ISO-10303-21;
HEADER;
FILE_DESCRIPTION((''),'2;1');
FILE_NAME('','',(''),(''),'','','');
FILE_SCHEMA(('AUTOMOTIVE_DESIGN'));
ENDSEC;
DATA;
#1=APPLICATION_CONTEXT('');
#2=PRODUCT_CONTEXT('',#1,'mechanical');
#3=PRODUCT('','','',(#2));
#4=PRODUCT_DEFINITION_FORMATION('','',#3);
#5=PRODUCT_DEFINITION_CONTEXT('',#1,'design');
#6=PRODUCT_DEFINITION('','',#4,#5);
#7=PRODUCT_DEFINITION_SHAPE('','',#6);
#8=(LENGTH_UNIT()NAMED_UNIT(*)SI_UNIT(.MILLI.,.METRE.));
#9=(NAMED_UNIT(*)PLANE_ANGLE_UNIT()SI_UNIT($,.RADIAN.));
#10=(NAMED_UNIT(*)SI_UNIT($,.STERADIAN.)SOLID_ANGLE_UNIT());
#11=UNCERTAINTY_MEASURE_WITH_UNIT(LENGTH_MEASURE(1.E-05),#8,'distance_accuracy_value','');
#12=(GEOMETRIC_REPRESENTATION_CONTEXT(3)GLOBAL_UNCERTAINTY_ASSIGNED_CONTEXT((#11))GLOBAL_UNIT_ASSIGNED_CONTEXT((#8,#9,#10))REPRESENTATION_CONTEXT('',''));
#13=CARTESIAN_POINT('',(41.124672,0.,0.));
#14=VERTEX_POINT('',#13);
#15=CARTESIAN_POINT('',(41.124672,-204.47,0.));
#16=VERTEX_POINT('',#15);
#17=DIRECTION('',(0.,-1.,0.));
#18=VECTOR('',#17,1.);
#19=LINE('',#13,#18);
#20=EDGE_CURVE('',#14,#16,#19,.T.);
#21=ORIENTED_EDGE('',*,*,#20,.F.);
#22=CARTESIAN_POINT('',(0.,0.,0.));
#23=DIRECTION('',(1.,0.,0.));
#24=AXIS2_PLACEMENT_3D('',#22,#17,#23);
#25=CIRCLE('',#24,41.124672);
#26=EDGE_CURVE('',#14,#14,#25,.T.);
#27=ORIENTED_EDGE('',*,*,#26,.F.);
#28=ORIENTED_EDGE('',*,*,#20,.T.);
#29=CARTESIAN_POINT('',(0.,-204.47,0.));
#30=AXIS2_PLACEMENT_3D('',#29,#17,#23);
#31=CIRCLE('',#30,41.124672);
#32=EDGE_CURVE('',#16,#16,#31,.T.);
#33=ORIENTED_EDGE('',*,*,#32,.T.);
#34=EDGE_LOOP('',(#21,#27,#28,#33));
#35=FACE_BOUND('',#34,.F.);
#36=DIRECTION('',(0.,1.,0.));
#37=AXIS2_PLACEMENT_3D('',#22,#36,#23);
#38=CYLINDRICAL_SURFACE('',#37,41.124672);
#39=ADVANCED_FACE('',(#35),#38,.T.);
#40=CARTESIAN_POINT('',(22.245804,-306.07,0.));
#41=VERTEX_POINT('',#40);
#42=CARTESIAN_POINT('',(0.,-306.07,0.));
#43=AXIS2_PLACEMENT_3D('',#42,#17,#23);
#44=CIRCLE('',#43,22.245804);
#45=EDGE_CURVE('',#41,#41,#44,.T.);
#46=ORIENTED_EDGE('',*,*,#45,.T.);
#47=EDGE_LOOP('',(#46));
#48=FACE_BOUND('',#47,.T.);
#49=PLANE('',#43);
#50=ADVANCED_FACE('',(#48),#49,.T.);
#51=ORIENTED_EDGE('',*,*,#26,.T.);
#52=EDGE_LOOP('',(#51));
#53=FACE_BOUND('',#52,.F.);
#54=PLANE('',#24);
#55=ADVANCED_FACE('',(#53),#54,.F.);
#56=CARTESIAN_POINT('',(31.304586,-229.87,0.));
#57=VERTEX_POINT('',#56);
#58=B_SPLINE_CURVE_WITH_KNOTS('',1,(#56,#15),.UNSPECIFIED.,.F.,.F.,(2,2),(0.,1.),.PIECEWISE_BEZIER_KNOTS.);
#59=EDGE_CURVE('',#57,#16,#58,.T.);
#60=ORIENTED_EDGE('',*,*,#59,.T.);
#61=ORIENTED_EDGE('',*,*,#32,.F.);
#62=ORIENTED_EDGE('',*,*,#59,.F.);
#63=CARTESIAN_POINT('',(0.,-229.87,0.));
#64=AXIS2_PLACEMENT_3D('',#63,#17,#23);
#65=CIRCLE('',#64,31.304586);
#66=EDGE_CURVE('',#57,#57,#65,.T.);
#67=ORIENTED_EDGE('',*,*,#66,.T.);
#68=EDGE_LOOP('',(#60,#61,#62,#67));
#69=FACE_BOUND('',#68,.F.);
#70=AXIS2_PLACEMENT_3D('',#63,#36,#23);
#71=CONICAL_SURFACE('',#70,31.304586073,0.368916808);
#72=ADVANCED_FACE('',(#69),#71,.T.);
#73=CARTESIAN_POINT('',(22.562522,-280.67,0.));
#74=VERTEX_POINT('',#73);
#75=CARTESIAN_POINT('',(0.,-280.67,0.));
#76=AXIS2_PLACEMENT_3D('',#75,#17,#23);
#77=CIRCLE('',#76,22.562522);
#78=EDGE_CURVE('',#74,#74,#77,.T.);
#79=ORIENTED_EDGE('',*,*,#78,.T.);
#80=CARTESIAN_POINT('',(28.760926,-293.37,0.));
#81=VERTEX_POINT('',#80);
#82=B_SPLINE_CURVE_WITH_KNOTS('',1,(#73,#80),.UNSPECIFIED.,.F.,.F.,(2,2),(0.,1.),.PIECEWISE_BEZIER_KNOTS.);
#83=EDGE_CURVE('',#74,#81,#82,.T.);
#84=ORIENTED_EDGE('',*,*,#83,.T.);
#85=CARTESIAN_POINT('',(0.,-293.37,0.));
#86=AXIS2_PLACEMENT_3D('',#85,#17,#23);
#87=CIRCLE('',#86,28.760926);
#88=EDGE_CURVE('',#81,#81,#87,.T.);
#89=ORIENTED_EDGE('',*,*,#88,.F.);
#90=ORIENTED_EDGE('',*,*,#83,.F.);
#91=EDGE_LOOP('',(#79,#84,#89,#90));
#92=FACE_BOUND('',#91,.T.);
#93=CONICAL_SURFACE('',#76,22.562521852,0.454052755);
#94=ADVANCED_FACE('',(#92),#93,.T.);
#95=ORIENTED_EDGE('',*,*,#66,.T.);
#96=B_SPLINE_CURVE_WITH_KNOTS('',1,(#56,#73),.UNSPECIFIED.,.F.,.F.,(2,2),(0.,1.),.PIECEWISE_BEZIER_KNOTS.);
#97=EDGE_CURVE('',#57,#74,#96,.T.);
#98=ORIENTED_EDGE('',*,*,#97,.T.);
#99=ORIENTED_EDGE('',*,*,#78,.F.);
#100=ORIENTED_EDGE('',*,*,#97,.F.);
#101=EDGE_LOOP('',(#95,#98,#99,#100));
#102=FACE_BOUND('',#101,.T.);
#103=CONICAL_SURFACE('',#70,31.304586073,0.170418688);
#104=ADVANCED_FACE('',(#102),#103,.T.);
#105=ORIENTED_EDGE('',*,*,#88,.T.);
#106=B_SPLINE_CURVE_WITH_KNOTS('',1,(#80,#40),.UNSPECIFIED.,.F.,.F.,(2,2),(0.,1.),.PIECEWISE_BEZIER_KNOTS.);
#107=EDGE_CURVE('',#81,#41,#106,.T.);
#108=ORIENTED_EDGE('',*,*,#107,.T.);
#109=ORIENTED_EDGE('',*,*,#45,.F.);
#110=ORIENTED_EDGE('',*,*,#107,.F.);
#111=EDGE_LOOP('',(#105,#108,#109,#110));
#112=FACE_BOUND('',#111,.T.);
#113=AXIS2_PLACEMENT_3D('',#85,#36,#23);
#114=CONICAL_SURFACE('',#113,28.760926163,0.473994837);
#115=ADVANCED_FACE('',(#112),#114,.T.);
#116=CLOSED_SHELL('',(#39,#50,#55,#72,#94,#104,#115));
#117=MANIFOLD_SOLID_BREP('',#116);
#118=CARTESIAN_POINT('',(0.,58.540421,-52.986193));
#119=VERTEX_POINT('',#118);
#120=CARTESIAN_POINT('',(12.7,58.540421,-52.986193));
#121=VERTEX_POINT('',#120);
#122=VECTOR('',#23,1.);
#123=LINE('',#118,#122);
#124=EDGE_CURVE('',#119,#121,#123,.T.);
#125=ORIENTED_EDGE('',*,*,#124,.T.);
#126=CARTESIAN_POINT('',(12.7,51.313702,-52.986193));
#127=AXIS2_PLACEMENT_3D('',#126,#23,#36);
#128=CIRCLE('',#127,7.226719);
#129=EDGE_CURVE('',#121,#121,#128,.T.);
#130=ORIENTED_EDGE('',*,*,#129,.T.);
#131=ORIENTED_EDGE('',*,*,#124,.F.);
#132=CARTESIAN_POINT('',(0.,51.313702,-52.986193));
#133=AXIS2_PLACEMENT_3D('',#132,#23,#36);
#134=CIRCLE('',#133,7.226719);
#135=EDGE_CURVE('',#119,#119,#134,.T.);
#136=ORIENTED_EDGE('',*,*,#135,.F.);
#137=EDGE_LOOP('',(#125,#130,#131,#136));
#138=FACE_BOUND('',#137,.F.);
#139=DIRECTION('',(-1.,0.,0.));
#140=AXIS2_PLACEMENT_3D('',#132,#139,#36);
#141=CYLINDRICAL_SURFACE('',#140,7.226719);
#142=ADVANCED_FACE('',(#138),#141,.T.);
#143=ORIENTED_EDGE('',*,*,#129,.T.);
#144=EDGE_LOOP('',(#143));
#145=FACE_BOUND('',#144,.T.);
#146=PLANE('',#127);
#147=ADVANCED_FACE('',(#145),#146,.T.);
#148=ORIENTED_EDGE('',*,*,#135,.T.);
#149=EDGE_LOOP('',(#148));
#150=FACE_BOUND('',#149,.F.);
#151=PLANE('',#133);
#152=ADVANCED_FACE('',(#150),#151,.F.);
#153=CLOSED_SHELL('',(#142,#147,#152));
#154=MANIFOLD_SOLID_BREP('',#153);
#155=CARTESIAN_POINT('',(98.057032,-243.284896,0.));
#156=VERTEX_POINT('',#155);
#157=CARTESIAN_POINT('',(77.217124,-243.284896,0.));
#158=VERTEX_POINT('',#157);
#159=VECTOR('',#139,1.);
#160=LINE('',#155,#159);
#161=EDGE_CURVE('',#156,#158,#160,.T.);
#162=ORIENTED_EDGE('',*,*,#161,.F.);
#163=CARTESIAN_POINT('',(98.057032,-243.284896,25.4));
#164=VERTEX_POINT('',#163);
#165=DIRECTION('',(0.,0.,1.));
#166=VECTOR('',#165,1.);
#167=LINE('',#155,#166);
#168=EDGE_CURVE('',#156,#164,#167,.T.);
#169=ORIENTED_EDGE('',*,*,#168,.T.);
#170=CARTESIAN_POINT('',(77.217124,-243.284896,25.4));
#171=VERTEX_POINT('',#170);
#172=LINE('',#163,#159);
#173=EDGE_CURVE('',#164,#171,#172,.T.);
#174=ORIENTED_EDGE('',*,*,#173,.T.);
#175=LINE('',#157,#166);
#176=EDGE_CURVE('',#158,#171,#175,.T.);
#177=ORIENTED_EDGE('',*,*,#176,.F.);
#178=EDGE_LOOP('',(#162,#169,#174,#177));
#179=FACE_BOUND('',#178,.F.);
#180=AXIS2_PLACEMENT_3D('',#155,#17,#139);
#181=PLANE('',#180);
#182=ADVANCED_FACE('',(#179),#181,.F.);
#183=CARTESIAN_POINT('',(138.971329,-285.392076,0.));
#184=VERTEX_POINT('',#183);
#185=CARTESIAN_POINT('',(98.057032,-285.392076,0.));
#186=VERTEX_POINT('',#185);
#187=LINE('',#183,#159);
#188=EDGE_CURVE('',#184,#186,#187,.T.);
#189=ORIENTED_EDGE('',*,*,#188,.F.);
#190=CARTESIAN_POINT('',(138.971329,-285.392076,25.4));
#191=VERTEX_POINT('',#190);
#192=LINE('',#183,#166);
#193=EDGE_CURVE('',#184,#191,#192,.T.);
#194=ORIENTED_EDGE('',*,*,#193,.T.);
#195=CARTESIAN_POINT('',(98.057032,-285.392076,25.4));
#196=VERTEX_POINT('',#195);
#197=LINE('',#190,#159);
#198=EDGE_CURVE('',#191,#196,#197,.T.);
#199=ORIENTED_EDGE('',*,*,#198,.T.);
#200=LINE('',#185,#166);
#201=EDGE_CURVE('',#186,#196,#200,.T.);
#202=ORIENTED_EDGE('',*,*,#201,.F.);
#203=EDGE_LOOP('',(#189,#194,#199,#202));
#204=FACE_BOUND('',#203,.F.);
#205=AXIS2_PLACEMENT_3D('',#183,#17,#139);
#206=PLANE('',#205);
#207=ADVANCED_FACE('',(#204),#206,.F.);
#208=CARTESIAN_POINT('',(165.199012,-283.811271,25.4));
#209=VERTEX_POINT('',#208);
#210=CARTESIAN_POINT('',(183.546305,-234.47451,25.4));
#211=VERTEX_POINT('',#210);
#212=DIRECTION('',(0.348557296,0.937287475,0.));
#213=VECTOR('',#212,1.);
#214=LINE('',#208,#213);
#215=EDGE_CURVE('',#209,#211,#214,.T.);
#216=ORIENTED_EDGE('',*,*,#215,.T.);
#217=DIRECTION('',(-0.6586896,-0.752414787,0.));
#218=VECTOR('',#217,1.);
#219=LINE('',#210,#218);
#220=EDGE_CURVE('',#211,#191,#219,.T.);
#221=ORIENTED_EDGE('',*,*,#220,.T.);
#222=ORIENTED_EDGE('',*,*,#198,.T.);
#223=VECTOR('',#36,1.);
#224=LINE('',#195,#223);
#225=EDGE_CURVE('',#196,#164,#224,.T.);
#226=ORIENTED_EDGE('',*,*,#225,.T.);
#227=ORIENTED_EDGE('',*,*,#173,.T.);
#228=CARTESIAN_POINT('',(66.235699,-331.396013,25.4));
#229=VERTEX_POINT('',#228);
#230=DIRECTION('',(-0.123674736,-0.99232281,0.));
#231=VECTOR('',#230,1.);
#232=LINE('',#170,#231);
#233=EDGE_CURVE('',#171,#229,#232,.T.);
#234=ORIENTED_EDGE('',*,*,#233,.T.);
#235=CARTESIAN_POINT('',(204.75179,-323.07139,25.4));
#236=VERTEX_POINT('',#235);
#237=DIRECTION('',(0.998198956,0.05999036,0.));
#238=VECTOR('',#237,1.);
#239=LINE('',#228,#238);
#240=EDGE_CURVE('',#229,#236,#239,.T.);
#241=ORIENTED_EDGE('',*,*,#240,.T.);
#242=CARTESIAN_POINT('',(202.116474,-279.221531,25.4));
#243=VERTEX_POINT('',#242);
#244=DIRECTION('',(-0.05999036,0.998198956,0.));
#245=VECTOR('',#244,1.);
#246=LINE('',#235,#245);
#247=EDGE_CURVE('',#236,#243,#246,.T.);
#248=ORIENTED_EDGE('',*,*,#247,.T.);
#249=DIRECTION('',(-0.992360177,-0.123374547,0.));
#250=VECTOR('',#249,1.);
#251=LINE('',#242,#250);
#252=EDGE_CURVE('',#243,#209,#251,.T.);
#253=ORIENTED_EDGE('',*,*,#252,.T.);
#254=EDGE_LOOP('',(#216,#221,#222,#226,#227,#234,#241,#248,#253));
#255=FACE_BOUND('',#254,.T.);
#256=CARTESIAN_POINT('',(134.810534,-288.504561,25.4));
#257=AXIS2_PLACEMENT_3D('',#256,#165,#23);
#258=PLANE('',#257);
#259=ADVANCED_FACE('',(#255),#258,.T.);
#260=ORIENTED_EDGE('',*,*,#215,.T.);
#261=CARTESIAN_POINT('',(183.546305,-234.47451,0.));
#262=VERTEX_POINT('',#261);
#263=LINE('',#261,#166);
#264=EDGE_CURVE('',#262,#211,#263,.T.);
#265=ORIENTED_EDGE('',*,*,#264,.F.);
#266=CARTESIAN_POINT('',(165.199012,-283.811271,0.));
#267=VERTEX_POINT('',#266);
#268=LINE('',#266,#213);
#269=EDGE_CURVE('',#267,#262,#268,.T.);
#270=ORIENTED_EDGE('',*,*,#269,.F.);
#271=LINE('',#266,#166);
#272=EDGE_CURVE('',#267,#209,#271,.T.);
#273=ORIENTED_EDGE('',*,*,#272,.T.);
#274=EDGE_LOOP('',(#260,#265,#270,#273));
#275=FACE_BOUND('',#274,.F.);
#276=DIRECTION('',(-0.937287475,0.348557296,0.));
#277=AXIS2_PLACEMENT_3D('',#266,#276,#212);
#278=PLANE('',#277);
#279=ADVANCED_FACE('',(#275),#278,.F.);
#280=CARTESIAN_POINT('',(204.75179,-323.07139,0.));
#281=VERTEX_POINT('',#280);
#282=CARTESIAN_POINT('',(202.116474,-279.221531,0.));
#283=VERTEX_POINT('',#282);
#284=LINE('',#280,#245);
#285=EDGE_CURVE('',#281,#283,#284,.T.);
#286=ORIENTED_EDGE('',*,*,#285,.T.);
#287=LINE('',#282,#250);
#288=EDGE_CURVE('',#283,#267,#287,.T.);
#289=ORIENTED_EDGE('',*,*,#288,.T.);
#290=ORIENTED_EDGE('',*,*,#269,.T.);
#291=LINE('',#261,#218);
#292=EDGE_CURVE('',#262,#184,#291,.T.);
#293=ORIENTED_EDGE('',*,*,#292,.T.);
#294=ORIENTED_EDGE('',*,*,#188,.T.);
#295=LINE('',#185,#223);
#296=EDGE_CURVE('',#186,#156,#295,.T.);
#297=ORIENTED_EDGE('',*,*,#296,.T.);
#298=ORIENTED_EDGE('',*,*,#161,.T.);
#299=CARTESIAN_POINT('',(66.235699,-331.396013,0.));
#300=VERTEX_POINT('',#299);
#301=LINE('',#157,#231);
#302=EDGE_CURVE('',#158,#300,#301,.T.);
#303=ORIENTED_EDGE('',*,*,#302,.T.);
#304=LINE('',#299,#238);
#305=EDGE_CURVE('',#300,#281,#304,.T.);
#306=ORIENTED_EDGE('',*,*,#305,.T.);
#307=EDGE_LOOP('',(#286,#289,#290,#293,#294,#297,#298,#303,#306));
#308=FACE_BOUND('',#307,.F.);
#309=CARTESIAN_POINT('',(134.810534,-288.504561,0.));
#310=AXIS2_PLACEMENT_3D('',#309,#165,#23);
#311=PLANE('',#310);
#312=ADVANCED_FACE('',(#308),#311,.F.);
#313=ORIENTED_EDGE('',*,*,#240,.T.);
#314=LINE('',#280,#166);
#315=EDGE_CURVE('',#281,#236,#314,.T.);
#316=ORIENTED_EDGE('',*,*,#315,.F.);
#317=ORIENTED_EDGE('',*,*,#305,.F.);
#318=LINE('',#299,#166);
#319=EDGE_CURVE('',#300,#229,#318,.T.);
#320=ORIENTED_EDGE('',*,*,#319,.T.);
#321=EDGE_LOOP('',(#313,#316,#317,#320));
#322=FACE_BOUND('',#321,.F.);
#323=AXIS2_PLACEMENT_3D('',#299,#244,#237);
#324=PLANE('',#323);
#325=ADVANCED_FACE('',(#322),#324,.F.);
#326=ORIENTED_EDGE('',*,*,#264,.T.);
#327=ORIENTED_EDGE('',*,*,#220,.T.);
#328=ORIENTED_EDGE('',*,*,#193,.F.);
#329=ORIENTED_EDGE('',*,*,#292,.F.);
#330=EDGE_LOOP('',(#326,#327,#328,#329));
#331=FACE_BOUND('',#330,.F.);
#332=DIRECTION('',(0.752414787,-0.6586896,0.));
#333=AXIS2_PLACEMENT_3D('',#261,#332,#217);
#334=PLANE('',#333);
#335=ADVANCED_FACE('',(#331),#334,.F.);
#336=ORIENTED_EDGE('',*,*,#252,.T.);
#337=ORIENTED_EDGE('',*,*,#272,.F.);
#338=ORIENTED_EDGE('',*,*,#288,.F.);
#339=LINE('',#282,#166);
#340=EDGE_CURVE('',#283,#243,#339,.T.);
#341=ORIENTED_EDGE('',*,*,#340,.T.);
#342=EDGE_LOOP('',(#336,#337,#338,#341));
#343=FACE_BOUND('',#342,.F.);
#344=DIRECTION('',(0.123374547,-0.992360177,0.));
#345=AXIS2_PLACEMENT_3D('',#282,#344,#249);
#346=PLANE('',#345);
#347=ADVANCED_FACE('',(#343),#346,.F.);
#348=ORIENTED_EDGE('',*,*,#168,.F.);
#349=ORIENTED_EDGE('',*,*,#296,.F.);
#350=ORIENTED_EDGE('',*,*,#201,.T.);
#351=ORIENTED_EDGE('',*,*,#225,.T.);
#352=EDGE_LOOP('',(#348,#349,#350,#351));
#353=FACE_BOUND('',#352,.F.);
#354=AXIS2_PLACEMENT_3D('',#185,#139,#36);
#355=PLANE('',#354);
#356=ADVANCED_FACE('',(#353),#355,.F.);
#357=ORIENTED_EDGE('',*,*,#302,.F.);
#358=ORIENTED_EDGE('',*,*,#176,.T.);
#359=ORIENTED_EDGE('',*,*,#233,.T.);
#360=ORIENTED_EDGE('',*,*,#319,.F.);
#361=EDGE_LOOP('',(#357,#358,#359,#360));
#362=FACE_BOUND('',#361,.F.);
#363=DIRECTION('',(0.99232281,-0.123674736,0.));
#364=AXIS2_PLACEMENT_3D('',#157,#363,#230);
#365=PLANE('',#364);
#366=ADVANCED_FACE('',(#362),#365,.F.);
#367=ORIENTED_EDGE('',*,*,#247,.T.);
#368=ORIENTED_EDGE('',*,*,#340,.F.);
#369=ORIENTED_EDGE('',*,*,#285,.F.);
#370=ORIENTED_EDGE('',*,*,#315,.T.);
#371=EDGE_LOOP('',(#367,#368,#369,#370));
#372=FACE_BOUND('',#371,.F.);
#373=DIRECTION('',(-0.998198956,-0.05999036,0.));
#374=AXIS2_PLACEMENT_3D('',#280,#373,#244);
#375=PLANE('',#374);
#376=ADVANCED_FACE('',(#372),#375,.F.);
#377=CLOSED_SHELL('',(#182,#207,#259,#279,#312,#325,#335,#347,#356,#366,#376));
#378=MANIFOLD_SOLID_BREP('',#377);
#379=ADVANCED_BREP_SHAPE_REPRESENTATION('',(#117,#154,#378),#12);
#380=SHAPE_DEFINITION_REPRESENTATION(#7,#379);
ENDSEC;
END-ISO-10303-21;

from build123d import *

# Parameters (mm, degrees)
F0_R       = 41.1246715707
F1_DEPTH   = 204.47
F4_R       = 31.304586073
F1_FACE_R  = 41.1246715707
F5_FACE_R  = 31.304586073
F6_R       = 22.562521852
F7_FACE_R  = 22.562521852
F10_R      = 28.7609261633
F12_FACE_R = 28.7609261633
F11_R      = 22.2458037408
F15_DEPTH  = 25.4
F16_R      = 7.2267187417
F17_DEPTH  = 12.7


with BuildPart() as f1:
    # F0 (on Front) → F1 (new body)
    with BuildSketch(Plane.XZ):
        Circle(F0_R)
    extrude(amount=F1_DEPTH)

    # F4 (on offset) → F5 section 0
    with BuildSketch(Plane.XZ.offset(229.87)):
        Circle(F4_R)
    # F1_face (on face) → F5 section 1
    with BuildSketch(Plane.XZ.offset(204.47)):
        Circle(F1_FACE_R)
    loft()

    # F5_face (on face) → F7 section 0
    with BuildSketch(Plane.XZ.offset(229.87)):
        Circle(F5_FACE_R)
    # F6 (on offset) → F7 section 1
    with BuildSketch(Plane.XZ.offset(280.67)):
        Circle(F6_R)
    loft()

    # F7_face (on face) → F12 section 0
    with BuildSketch(Plane.XZ.offset(280.67)):
        Circle(F7_FACE_R)
    # F10 (on offset) → F12 section 1
    with BuildSketch(Plane.XZ.offset(293.37)):
        Circle(F10_R)
    loft()

    # F12_face (on face) → F13 section 0
    with BuildSketch(Plane.XZ.offset(293.37)):
        Circle(F12_FACE_R)
    # F11 (on offset) → F13 section 1
    with BuildSketch(Plane.XZ.offset(306.07)):
        Circle(F11_R)
    loft()


with BuildPart() as f15:
    # F14 (on Top) → F15 (new body)
    with BuildSketch(Plane.XY):
        Polygon((202.1164744268, -279.2215311312), (165.1990115643, -283.8112711906), (183.5463047028, -234.4745099545), (138.9713287354, -285.3920757771), (98.0570316315, -285.3920757771), (98.0570316315, -243.2848960161), (77.2171244025, -243.2848960161), (66.2356987596, -331.3960134983), (204.7517895699, -323.0713903904), align=None)
    extrude(amount=F15_DEPTH)


with BuildPart() as f17:
    # F16 (on Right) → F17 (new body)
    with BuildSketch(Plane.YZ):
        with Locations((51.3137020171, -52.9861934483)):
            Circle(F16_R)
    extrude(amount=F17_DEPTH)


solid = Compound([f1.part, f15.part, f17.part])
